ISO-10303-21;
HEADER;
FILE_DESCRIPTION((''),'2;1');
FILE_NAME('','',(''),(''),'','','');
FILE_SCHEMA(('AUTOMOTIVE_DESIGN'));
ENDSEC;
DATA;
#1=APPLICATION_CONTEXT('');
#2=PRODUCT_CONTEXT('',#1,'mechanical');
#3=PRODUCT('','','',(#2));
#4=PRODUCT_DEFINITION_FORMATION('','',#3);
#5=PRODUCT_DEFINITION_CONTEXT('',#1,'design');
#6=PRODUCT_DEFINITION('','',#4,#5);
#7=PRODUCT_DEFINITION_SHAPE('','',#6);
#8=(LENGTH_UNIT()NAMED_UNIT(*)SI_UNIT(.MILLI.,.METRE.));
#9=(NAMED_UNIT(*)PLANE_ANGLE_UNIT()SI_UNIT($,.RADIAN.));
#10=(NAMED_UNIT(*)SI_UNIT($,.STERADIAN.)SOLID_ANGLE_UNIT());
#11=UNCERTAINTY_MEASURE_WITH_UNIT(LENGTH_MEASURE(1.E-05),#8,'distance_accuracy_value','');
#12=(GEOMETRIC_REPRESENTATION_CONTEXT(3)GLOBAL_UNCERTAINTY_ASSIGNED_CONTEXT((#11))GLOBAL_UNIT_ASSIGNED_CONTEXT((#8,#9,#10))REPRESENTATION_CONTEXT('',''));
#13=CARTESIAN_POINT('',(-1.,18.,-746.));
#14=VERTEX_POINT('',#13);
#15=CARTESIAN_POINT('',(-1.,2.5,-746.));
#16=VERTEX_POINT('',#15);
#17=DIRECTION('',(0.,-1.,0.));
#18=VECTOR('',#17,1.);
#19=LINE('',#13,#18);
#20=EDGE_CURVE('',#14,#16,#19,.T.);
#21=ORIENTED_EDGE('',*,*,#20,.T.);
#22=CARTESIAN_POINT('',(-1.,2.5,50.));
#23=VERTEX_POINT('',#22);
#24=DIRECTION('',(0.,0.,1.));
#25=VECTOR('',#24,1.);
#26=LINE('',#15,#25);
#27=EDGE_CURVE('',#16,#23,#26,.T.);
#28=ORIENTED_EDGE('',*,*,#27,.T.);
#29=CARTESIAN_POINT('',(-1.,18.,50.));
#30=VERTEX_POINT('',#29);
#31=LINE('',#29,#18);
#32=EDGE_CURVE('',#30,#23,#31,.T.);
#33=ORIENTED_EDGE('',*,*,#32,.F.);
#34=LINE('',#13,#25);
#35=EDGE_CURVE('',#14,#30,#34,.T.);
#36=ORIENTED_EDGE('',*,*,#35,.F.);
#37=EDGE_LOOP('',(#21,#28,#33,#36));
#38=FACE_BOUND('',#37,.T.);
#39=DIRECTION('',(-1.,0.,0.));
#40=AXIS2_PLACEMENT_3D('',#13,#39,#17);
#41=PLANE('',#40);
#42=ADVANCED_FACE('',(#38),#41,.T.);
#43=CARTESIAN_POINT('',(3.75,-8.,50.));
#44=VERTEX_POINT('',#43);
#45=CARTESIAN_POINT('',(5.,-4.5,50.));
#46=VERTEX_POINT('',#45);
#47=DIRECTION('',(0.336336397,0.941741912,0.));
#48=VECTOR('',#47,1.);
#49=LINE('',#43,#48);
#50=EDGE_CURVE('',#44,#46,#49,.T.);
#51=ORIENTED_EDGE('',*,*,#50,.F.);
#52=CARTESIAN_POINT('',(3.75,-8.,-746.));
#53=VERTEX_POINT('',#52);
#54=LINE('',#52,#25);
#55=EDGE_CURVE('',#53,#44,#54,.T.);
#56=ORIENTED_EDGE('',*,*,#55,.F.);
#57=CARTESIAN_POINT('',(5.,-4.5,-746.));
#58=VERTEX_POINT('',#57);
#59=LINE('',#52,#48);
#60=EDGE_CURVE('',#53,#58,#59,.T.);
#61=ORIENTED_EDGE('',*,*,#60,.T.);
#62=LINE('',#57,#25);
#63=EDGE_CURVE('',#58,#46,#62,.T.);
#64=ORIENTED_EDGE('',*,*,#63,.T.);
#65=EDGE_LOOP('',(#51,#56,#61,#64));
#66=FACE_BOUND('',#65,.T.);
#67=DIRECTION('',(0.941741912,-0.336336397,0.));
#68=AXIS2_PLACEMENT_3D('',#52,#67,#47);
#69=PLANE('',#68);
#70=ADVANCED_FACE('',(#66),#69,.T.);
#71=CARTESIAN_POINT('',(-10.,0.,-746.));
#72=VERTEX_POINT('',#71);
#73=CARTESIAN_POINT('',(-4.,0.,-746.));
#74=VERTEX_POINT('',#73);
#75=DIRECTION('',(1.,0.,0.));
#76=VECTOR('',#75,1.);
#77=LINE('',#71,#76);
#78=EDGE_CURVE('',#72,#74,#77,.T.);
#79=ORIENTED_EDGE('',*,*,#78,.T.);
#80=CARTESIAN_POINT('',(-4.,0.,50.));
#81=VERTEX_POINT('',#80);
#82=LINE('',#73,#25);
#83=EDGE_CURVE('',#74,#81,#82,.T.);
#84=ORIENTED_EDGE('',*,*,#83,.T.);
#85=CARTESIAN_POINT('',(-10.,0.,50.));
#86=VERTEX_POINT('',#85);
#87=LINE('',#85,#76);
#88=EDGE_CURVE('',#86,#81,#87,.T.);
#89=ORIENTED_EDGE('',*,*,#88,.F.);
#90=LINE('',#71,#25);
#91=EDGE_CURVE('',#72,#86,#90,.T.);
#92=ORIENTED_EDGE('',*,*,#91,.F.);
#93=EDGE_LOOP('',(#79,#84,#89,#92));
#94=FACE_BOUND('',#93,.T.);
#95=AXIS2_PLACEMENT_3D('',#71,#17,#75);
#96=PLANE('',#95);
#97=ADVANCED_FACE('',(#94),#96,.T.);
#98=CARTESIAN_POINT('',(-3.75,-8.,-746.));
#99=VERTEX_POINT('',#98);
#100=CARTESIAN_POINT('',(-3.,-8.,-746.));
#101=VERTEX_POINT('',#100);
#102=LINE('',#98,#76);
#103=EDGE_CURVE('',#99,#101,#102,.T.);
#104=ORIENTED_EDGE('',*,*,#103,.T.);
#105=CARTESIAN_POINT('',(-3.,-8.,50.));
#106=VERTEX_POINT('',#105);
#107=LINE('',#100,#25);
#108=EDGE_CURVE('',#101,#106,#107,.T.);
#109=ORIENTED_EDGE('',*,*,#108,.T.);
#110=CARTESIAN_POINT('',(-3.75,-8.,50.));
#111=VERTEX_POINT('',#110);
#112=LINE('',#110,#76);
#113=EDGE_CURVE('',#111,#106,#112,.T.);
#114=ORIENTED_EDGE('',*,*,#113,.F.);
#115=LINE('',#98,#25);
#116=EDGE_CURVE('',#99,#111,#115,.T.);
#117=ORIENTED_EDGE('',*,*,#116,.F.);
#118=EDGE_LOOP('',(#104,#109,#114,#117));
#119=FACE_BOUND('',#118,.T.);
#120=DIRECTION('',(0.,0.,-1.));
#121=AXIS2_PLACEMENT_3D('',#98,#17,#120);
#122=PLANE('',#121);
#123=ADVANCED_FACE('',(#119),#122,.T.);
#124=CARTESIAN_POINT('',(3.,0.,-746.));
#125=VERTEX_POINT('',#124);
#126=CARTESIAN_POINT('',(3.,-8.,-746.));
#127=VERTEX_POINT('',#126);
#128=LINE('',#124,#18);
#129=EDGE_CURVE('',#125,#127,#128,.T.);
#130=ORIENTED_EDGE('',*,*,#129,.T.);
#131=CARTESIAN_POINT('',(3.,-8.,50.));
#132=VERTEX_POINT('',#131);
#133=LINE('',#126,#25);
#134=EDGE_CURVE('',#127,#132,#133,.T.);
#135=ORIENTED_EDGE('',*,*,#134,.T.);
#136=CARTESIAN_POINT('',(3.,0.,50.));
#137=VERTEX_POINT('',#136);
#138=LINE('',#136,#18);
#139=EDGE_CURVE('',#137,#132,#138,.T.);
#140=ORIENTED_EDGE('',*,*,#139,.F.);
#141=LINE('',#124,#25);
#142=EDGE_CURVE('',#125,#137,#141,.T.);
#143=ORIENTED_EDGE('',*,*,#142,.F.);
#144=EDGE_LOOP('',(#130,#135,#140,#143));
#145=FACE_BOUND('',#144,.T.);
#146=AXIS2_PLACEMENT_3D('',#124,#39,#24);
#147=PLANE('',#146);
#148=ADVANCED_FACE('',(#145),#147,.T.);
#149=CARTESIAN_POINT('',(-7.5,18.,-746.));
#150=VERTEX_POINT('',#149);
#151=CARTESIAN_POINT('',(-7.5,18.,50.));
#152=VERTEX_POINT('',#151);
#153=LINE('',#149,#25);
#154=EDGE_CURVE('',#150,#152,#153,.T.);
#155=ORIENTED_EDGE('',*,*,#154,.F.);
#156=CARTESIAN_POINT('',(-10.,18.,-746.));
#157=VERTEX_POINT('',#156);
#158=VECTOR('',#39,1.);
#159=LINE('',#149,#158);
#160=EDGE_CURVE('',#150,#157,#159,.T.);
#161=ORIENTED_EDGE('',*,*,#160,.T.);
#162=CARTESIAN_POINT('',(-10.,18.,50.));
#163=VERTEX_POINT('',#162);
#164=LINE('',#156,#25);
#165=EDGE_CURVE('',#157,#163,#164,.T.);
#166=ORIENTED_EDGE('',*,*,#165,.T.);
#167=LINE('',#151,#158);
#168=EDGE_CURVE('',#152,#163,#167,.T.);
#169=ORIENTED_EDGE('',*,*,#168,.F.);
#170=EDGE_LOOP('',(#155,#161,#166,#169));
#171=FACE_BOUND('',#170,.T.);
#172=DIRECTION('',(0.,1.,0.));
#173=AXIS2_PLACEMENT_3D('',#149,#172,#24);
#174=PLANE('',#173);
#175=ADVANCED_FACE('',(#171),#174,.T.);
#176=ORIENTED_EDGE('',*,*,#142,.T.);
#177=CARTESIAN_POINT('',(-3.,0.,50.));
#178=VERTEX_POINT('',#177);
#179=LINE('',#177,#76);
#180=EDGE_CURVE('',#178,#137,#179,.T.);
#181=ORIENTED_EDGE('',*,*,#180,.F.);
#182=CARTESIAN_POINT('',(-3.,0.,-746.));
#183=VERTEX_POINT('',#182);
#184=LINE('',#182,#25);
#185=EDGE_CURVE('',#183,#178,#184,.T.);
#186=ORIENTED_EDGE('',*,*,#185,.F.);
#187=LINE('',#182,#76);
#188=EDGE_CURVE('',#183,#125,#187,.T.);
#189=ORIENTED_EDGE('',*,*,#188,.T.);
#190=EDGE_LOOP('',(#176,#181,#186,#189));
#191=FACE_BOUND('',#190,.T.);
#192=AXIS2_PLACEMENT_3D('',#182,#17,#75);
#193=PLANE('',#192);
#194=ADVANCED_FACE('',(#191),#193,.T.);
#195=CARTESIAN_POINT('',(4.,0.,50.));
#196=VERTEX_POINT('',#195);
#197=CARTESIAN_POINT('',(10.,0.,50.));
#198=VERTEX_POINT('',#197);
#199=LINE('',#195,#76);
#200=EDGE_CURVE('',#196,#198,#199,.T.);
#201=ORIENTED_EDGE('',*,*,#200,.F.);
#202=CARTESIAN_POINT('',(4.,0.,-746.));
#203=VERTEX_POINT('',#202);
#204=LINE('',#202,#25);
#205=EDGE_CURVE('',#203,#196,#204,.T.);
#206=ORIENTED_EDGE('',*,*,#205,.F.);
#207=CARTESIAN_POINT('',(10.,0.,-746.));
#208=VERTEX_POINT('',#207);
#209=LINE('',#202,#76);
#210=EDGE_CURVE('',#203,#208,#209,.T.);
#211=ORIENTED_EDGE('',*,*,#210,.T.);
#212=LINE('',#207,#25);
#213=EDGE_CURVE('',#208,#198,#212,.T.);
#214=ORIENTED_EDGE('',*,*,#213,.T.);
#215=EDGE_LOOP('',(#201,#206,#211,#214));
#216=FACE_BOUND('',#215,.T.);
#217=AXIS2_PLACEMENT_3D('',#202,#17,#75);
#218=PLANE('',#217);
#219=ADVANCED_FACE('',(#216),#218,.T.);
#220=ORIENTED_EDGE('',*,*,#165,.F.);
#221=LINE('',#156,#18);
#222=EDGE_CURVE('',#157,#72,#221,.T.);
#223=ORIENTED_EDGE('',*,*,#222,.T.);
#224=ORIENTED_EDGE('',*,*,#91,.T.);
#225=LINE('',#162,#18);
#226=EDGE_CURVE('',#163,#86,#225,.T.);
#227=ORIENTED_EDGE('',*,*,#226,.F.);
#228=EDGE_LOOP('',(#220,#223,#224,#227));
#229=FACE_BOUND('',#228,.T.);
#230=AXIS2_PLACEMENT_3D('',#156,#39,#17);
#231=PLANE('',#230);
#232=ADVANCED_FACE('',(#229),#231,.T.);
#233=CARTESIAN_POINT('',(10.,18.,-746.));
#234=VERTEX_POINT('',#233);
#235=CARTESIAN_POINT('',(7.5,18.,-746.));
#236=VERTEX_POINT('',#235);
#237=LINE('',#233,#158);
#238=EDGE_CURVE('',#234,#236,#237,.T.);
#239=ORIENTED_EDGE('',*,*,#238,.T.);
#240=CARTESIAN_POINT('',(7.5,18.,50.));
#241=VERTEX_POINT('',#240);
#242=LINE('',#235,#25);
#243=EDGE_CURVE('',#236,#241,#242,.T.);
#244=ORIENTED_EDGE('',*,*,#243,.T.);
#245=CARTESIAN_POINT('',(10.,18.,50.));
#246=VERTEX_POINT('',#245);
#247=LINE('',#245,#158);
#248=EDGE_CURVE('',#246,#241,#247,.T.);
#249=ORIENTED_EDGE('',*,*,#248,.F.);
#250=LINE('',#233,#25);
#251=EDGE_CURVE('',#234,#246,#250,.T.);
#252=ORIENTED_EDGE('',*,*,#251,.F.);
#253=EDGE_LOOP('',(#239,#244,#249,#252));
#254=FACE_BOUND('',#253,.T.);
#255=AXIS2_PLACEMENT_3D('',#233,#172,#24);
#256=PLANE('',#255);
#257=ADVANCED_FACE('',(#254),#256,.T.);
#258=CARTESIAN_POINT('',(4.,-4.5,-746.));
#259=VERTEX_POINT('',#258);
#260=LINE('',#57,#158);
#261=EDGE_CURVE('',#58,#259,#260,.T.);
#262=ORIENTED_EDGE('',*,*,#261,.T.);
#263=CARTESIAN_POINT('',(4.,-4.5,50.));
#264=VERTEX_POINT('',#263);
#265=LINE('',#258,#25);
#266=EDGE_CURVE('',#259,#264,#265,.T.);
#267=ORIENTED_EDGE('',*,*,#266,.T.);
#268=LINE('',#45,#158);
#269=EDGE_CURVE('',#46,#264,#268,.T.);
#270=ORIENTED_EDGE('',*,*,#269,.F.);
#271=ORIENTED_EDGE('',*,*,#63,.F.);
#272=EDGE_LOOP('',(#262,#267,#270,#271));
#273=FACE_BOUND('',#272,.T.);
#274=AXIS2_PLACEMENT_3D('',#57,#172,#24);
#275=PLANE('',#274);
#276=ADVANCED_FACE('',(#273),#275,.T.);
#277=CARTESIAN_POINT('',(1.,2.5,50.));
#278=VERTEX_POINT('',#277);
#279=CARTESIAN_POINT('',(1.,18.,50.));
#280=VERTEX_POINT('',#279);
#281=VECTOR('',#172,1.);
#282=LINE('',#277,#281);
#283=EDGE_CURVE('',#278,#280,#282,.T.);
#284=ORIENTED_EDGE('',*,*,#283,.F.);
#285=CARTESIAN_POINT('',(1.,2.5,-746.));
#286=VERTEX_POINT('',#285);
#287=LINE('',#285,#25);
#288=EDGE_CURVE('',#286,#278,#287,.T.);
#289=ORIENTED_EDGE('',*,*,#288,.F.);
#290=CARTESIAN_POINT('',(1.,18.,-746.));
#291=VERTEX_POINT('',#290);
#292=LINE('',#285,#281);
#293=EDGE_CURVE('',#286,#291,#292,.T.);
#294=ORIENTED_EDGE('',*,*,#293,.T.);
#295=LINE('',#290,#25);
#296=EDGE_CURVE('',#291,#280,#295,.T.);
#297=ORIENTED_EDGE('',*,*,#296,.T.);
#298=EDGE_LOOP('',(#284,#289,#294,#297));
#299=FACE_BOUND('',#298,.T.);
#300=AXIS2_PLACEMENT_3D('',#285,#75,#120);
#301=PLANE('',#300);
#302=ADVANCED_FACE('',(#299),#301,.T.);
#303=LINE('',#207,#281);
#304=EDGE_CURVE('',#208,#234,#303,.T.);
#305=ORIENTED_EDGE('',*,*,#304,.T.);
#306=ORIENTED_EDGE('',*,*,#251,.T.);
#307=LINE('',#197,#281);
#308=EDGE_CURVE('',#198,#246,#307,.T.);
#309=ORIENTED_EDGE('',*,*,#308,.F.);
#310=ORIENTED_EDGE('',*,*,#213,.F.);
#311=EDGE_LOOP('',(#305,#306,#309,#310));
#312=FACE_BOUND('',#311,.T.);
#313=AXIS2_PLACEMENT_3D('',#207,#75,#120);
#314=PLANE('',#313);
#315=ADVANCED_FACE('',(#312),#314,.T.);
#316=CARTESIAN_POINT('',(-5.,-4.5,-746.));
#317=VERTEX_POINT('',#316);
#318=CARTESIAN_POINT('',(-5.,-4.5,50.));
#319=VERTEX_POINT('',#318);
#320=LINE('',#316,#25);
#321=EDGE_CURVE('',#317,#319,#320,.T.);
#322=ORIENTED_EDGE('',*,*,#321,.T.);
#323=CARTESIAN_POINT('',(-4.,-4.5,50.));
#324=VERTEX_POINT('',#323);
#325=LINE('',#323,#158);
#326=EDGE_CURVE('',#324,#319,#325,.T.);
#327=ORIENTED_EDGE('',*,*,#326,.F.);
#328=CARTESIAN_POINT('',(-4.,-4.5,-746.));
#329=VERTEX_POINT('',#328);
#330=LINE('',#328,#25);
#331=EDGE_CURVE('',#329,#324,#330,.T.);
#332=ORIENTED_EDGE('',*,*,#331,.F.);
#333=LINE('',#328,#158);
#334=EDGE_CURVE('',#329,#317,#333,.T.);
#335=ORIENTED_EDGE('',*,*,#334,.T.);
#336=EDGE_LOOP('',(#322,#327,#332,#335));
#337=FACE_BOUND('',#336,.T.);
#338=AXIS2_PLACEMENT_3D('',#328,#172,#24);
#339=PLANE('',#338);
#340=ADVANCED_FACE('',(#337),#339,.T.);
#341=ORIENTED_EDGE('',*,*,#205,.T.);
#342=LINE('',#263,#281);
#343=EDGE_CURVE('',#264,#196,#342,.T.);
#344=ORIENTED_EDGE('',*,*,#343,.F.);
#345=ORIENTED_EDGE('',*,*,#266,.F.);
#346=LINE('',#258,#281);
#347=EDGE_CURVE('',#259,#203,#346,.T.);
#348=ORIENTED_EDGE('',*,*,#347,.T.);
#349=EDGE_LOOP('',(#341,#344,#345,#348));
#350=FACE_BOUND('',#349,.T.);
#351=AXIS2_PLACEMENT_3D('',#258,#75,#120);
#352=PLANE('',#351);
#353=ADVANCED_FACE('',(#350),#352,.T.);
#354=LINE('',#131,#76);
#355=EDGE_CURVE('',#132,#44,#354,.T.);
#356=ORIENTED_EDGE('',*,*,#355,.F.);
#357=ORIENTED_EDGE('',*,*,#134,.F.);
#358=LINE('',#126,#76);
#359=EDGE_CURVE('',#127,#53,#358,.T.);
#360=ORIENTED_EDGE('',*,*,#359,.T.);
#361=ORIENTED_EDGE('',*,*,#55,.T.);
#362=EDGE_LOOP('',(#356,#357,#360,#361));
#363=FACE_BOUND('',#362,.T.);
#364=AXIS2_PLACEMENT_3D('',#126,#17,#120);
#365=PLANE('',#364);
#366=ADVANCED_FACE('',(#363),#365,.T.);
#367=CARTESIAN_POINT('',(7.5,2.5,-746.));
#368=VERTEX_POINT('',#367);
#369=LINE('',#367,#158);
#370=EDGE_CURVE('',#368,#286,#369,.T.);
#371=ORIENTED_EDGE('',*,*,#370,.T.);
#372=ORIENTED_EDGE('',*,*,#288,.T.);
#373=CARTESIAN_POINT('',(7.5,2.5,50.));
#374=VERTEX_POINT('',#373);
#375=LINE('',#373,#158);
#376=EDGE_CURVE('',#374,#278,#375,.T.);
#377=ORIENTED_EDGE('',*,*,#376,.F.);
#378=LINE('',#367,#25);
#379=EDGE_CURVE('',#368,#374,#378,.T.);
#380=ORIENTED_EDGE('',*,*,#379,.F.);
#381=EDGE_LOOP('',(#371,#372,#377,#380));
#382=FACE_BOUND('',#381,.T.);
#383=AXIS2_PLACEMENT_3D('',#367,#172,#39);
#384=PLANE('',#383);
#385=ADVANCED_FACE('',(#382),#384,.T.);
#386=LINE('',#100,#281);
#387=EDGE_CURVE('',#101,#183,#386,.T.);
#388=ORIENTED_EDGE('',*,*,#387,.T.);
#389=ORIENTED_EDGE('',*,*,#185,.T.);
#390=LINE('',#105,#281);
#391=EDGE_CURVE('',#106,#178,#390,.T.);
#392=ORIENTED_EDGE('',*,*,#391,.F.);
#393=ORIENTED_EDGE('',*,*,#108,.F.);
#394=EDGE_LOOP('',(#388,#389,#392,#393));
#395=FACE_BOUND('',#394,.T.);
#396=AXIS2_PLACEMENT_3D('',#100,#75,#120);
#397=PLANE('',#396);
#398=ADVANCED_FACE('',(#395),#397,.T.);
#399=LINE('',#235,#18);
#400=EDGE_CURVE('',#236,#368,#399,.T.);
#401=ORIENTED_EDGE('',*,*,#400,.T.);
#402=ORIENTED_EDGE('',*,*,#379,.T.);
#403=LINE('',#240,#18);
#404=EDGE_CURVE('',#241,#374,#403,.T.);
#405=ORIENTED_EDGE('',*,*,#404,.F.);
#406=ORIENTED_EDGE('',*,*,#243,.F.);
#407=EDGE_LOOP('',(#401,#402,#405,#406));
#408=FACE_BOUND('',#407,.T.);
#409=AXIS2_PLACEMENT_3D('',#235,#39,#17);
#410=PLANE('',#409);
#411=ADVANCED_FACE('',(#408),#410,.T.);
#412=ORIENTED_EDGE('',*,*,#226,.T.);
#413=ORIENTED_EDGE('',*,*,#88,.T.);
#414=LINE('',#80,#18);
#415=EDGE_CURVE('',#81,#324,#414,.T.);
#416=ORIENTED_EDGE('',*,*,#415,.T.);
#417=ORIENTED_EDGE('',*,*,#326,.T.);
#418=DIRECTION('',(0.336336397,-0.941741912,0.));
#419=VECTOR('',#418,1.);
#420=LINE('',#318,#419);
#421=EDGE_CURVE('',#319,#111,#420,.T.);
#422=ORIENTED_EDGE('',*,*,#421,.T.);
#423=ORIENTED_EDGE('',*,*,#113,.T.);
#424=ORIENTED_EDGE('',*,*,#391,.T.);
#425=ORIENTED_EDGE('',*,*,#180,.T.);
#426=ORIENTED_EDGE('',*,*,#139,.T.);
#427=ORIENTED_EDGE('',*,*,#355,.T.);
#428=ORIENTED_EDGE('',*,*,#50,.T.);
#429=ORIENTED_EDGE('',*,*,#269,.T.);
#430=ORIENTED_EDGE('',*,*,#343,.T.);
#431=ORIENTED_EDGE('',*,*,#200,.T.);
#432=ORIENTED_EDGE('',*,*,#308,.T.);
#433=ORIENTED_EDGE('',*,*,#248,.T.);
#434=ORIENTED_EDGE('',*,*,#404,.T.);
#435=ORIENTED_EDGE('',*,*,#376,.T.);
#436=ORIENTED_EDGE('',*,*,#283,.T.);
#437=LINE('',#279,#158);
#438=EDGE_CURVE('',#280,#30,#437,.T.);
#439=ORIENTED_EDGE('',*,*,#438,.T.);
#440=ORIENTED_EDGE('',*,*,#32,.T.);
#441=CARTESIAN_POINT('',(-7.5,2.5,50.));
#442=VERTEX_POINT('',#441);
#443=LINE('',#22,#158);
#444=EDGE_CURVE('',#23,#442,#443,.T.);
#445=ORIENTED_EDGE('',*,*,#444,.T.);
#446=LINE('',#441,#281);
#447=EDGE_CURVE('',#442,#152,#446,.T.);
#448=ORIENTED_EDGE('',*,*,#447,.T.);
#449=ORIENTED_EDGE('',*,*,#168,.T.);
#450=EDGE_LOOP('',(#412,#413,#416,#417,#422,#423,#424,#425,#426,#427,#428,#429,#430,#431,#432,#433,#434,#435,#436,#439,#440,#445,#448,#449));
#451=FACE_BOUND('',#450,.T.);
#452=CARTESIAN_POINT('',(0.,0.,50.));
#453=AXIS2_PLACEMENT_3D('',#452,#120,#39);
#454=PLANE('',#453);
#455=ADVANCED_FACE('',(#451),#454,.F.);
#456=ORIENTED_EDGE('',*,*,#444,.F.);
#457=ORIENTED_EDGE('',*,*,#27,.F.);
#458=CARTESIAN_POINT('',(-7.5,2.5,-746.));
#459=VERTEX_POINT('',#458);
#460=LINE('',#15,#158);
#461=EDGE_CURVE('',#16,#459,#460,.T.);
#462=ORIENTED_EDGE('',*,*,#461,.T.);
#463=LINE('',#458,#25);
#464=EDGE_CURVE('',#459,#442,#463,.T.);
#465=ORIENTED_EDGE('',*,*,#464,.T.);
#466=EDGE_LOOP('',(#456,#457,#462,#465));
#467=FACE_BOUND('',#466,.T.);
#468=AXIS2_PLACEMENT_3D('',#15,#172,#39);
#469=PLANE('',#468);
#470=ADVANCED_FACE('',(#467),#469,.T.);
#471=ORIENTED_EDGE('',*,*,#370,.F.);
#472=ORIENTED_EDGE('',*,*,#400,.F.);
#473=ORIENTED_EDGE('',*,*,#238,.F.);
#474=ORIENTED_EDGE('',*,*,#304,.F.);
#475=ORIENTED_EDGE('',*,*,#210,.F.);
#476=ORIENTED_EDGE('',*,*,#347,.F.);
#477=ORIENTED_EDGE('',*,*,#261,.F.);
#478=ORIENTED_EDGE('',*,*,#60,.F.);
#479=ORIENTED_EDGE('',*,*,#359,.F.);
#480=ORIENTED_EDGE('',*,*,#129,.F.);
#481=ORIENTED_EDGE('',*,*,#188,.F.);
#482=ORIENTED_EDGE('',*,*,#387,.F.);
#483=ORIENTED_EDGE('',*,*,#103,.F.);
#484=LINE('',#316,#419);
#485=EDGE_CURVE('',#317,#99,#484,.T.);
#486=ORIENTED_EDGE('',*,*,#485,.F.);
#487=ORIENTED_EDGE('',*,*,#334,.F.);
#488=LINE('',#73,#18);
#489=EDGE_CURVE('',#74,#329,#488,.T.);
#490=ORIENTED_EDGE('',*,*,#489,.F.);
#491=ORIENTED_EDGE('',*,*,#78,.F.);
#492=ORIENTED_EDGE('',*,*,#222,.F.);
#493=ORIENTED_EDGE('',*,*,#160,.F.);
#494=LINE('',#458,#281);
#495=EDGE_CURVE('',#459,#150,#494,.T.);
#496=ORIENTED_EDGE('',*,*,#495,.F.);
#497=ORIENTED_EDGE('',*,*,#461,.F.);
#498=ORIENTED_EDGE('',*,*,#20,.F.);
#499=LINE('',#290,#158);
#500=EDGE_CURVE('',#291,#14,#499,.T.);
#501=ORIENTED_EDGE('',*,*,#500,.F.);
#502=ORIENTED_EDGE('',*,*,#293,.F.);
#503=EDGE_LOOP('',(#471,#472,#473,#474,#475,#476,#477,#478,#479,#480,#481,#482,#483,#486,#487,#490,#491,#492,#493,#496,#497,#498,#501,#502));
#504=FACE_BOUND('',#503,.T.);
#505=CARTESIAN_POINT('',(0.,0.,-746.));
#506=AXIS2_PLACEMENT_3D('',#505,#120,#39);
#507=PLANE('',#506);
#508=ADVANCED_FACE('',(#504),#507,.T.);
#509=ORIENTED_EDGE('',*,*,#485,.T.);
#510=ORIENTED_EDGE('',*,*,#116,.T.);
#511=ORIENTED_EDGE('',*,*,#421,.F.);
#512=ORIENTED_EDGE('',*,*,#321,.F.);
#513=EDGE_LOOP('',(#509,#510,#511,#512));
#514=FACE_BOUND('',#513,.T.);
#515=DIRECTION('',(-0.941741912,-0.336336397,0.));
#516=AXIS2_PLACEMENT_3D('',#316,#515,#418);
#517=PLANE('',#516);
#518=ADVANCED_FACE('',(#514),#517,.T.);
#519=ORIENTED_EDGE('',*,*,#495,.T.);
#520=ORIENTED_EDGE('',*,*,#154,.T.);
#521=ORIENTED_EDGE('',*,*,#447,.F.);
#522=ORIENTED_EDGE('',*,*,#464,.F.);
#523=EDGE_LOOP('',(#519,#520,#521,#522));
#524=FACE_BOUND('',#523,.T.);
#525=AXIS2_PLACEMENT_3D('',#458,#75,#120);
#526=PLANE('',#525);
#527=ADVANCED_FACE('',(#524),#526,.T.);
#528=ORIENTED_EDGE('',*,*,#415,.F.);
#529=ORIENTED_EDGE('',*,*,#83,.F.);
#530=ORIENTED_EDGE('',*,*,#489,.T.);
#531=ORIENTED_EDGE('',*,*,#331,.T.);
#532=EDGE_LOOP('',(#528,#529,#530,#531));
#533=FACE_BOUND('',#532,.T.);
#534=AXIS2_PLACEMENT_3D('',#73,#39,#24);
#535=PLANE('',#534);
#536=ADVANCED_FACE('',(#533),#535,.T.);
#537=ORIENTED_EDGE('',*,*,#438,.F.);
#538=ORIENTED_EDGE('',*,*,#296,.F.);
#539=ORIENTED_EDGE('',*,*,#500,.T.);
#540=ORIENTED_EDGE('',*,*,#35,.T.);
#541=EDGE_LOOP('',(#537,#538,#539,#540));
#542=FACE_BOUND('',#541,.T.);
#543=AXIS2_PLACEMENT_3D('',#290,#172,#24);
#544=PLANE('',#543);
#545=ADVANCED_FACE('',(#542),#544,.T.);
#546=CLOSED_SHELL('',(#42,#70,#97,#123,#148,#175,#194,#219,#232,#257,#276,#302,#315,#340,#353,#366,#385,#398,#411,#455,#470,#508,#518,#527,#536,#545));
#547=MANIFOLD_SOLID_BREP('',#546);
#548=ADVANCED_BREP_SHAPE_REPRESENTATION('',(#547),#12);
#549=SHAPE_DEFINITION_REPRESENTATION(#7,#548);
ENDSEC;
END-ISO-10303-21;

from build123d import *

# Parameters (mm, degrees)
BOSS_EXTRU_1_DEPTH = 796


with BuildPart() as part:
    # Esquisse1 → Boss.-Extru.1 (new body)
    with BuildSketch(Plane.XY.offset(50)):
        Polygon((-1, 2.5), (-7.5, 2.5), (-7.5, 17.999999998), (-10, 17.999999998), (-10, 0), (-4, 0), (-4, -4.5), (-5, -4.5), (-3.75, -8), (-3, -8), (-3, 0), (3, 0), (3, -8), (3.75, -8), (5, -4.5), (4, -4.5), (4, 0), (10, 0), (10, 17.999999998), (7.5, 17.999999998), (7.5, 2.5), (1, 2.5), (1, 17.999999998), (-1, 17.999999998), align=None)
    extrude(amount=-BOSS_EXTRU_1_DEPTH)


solid = part.part
